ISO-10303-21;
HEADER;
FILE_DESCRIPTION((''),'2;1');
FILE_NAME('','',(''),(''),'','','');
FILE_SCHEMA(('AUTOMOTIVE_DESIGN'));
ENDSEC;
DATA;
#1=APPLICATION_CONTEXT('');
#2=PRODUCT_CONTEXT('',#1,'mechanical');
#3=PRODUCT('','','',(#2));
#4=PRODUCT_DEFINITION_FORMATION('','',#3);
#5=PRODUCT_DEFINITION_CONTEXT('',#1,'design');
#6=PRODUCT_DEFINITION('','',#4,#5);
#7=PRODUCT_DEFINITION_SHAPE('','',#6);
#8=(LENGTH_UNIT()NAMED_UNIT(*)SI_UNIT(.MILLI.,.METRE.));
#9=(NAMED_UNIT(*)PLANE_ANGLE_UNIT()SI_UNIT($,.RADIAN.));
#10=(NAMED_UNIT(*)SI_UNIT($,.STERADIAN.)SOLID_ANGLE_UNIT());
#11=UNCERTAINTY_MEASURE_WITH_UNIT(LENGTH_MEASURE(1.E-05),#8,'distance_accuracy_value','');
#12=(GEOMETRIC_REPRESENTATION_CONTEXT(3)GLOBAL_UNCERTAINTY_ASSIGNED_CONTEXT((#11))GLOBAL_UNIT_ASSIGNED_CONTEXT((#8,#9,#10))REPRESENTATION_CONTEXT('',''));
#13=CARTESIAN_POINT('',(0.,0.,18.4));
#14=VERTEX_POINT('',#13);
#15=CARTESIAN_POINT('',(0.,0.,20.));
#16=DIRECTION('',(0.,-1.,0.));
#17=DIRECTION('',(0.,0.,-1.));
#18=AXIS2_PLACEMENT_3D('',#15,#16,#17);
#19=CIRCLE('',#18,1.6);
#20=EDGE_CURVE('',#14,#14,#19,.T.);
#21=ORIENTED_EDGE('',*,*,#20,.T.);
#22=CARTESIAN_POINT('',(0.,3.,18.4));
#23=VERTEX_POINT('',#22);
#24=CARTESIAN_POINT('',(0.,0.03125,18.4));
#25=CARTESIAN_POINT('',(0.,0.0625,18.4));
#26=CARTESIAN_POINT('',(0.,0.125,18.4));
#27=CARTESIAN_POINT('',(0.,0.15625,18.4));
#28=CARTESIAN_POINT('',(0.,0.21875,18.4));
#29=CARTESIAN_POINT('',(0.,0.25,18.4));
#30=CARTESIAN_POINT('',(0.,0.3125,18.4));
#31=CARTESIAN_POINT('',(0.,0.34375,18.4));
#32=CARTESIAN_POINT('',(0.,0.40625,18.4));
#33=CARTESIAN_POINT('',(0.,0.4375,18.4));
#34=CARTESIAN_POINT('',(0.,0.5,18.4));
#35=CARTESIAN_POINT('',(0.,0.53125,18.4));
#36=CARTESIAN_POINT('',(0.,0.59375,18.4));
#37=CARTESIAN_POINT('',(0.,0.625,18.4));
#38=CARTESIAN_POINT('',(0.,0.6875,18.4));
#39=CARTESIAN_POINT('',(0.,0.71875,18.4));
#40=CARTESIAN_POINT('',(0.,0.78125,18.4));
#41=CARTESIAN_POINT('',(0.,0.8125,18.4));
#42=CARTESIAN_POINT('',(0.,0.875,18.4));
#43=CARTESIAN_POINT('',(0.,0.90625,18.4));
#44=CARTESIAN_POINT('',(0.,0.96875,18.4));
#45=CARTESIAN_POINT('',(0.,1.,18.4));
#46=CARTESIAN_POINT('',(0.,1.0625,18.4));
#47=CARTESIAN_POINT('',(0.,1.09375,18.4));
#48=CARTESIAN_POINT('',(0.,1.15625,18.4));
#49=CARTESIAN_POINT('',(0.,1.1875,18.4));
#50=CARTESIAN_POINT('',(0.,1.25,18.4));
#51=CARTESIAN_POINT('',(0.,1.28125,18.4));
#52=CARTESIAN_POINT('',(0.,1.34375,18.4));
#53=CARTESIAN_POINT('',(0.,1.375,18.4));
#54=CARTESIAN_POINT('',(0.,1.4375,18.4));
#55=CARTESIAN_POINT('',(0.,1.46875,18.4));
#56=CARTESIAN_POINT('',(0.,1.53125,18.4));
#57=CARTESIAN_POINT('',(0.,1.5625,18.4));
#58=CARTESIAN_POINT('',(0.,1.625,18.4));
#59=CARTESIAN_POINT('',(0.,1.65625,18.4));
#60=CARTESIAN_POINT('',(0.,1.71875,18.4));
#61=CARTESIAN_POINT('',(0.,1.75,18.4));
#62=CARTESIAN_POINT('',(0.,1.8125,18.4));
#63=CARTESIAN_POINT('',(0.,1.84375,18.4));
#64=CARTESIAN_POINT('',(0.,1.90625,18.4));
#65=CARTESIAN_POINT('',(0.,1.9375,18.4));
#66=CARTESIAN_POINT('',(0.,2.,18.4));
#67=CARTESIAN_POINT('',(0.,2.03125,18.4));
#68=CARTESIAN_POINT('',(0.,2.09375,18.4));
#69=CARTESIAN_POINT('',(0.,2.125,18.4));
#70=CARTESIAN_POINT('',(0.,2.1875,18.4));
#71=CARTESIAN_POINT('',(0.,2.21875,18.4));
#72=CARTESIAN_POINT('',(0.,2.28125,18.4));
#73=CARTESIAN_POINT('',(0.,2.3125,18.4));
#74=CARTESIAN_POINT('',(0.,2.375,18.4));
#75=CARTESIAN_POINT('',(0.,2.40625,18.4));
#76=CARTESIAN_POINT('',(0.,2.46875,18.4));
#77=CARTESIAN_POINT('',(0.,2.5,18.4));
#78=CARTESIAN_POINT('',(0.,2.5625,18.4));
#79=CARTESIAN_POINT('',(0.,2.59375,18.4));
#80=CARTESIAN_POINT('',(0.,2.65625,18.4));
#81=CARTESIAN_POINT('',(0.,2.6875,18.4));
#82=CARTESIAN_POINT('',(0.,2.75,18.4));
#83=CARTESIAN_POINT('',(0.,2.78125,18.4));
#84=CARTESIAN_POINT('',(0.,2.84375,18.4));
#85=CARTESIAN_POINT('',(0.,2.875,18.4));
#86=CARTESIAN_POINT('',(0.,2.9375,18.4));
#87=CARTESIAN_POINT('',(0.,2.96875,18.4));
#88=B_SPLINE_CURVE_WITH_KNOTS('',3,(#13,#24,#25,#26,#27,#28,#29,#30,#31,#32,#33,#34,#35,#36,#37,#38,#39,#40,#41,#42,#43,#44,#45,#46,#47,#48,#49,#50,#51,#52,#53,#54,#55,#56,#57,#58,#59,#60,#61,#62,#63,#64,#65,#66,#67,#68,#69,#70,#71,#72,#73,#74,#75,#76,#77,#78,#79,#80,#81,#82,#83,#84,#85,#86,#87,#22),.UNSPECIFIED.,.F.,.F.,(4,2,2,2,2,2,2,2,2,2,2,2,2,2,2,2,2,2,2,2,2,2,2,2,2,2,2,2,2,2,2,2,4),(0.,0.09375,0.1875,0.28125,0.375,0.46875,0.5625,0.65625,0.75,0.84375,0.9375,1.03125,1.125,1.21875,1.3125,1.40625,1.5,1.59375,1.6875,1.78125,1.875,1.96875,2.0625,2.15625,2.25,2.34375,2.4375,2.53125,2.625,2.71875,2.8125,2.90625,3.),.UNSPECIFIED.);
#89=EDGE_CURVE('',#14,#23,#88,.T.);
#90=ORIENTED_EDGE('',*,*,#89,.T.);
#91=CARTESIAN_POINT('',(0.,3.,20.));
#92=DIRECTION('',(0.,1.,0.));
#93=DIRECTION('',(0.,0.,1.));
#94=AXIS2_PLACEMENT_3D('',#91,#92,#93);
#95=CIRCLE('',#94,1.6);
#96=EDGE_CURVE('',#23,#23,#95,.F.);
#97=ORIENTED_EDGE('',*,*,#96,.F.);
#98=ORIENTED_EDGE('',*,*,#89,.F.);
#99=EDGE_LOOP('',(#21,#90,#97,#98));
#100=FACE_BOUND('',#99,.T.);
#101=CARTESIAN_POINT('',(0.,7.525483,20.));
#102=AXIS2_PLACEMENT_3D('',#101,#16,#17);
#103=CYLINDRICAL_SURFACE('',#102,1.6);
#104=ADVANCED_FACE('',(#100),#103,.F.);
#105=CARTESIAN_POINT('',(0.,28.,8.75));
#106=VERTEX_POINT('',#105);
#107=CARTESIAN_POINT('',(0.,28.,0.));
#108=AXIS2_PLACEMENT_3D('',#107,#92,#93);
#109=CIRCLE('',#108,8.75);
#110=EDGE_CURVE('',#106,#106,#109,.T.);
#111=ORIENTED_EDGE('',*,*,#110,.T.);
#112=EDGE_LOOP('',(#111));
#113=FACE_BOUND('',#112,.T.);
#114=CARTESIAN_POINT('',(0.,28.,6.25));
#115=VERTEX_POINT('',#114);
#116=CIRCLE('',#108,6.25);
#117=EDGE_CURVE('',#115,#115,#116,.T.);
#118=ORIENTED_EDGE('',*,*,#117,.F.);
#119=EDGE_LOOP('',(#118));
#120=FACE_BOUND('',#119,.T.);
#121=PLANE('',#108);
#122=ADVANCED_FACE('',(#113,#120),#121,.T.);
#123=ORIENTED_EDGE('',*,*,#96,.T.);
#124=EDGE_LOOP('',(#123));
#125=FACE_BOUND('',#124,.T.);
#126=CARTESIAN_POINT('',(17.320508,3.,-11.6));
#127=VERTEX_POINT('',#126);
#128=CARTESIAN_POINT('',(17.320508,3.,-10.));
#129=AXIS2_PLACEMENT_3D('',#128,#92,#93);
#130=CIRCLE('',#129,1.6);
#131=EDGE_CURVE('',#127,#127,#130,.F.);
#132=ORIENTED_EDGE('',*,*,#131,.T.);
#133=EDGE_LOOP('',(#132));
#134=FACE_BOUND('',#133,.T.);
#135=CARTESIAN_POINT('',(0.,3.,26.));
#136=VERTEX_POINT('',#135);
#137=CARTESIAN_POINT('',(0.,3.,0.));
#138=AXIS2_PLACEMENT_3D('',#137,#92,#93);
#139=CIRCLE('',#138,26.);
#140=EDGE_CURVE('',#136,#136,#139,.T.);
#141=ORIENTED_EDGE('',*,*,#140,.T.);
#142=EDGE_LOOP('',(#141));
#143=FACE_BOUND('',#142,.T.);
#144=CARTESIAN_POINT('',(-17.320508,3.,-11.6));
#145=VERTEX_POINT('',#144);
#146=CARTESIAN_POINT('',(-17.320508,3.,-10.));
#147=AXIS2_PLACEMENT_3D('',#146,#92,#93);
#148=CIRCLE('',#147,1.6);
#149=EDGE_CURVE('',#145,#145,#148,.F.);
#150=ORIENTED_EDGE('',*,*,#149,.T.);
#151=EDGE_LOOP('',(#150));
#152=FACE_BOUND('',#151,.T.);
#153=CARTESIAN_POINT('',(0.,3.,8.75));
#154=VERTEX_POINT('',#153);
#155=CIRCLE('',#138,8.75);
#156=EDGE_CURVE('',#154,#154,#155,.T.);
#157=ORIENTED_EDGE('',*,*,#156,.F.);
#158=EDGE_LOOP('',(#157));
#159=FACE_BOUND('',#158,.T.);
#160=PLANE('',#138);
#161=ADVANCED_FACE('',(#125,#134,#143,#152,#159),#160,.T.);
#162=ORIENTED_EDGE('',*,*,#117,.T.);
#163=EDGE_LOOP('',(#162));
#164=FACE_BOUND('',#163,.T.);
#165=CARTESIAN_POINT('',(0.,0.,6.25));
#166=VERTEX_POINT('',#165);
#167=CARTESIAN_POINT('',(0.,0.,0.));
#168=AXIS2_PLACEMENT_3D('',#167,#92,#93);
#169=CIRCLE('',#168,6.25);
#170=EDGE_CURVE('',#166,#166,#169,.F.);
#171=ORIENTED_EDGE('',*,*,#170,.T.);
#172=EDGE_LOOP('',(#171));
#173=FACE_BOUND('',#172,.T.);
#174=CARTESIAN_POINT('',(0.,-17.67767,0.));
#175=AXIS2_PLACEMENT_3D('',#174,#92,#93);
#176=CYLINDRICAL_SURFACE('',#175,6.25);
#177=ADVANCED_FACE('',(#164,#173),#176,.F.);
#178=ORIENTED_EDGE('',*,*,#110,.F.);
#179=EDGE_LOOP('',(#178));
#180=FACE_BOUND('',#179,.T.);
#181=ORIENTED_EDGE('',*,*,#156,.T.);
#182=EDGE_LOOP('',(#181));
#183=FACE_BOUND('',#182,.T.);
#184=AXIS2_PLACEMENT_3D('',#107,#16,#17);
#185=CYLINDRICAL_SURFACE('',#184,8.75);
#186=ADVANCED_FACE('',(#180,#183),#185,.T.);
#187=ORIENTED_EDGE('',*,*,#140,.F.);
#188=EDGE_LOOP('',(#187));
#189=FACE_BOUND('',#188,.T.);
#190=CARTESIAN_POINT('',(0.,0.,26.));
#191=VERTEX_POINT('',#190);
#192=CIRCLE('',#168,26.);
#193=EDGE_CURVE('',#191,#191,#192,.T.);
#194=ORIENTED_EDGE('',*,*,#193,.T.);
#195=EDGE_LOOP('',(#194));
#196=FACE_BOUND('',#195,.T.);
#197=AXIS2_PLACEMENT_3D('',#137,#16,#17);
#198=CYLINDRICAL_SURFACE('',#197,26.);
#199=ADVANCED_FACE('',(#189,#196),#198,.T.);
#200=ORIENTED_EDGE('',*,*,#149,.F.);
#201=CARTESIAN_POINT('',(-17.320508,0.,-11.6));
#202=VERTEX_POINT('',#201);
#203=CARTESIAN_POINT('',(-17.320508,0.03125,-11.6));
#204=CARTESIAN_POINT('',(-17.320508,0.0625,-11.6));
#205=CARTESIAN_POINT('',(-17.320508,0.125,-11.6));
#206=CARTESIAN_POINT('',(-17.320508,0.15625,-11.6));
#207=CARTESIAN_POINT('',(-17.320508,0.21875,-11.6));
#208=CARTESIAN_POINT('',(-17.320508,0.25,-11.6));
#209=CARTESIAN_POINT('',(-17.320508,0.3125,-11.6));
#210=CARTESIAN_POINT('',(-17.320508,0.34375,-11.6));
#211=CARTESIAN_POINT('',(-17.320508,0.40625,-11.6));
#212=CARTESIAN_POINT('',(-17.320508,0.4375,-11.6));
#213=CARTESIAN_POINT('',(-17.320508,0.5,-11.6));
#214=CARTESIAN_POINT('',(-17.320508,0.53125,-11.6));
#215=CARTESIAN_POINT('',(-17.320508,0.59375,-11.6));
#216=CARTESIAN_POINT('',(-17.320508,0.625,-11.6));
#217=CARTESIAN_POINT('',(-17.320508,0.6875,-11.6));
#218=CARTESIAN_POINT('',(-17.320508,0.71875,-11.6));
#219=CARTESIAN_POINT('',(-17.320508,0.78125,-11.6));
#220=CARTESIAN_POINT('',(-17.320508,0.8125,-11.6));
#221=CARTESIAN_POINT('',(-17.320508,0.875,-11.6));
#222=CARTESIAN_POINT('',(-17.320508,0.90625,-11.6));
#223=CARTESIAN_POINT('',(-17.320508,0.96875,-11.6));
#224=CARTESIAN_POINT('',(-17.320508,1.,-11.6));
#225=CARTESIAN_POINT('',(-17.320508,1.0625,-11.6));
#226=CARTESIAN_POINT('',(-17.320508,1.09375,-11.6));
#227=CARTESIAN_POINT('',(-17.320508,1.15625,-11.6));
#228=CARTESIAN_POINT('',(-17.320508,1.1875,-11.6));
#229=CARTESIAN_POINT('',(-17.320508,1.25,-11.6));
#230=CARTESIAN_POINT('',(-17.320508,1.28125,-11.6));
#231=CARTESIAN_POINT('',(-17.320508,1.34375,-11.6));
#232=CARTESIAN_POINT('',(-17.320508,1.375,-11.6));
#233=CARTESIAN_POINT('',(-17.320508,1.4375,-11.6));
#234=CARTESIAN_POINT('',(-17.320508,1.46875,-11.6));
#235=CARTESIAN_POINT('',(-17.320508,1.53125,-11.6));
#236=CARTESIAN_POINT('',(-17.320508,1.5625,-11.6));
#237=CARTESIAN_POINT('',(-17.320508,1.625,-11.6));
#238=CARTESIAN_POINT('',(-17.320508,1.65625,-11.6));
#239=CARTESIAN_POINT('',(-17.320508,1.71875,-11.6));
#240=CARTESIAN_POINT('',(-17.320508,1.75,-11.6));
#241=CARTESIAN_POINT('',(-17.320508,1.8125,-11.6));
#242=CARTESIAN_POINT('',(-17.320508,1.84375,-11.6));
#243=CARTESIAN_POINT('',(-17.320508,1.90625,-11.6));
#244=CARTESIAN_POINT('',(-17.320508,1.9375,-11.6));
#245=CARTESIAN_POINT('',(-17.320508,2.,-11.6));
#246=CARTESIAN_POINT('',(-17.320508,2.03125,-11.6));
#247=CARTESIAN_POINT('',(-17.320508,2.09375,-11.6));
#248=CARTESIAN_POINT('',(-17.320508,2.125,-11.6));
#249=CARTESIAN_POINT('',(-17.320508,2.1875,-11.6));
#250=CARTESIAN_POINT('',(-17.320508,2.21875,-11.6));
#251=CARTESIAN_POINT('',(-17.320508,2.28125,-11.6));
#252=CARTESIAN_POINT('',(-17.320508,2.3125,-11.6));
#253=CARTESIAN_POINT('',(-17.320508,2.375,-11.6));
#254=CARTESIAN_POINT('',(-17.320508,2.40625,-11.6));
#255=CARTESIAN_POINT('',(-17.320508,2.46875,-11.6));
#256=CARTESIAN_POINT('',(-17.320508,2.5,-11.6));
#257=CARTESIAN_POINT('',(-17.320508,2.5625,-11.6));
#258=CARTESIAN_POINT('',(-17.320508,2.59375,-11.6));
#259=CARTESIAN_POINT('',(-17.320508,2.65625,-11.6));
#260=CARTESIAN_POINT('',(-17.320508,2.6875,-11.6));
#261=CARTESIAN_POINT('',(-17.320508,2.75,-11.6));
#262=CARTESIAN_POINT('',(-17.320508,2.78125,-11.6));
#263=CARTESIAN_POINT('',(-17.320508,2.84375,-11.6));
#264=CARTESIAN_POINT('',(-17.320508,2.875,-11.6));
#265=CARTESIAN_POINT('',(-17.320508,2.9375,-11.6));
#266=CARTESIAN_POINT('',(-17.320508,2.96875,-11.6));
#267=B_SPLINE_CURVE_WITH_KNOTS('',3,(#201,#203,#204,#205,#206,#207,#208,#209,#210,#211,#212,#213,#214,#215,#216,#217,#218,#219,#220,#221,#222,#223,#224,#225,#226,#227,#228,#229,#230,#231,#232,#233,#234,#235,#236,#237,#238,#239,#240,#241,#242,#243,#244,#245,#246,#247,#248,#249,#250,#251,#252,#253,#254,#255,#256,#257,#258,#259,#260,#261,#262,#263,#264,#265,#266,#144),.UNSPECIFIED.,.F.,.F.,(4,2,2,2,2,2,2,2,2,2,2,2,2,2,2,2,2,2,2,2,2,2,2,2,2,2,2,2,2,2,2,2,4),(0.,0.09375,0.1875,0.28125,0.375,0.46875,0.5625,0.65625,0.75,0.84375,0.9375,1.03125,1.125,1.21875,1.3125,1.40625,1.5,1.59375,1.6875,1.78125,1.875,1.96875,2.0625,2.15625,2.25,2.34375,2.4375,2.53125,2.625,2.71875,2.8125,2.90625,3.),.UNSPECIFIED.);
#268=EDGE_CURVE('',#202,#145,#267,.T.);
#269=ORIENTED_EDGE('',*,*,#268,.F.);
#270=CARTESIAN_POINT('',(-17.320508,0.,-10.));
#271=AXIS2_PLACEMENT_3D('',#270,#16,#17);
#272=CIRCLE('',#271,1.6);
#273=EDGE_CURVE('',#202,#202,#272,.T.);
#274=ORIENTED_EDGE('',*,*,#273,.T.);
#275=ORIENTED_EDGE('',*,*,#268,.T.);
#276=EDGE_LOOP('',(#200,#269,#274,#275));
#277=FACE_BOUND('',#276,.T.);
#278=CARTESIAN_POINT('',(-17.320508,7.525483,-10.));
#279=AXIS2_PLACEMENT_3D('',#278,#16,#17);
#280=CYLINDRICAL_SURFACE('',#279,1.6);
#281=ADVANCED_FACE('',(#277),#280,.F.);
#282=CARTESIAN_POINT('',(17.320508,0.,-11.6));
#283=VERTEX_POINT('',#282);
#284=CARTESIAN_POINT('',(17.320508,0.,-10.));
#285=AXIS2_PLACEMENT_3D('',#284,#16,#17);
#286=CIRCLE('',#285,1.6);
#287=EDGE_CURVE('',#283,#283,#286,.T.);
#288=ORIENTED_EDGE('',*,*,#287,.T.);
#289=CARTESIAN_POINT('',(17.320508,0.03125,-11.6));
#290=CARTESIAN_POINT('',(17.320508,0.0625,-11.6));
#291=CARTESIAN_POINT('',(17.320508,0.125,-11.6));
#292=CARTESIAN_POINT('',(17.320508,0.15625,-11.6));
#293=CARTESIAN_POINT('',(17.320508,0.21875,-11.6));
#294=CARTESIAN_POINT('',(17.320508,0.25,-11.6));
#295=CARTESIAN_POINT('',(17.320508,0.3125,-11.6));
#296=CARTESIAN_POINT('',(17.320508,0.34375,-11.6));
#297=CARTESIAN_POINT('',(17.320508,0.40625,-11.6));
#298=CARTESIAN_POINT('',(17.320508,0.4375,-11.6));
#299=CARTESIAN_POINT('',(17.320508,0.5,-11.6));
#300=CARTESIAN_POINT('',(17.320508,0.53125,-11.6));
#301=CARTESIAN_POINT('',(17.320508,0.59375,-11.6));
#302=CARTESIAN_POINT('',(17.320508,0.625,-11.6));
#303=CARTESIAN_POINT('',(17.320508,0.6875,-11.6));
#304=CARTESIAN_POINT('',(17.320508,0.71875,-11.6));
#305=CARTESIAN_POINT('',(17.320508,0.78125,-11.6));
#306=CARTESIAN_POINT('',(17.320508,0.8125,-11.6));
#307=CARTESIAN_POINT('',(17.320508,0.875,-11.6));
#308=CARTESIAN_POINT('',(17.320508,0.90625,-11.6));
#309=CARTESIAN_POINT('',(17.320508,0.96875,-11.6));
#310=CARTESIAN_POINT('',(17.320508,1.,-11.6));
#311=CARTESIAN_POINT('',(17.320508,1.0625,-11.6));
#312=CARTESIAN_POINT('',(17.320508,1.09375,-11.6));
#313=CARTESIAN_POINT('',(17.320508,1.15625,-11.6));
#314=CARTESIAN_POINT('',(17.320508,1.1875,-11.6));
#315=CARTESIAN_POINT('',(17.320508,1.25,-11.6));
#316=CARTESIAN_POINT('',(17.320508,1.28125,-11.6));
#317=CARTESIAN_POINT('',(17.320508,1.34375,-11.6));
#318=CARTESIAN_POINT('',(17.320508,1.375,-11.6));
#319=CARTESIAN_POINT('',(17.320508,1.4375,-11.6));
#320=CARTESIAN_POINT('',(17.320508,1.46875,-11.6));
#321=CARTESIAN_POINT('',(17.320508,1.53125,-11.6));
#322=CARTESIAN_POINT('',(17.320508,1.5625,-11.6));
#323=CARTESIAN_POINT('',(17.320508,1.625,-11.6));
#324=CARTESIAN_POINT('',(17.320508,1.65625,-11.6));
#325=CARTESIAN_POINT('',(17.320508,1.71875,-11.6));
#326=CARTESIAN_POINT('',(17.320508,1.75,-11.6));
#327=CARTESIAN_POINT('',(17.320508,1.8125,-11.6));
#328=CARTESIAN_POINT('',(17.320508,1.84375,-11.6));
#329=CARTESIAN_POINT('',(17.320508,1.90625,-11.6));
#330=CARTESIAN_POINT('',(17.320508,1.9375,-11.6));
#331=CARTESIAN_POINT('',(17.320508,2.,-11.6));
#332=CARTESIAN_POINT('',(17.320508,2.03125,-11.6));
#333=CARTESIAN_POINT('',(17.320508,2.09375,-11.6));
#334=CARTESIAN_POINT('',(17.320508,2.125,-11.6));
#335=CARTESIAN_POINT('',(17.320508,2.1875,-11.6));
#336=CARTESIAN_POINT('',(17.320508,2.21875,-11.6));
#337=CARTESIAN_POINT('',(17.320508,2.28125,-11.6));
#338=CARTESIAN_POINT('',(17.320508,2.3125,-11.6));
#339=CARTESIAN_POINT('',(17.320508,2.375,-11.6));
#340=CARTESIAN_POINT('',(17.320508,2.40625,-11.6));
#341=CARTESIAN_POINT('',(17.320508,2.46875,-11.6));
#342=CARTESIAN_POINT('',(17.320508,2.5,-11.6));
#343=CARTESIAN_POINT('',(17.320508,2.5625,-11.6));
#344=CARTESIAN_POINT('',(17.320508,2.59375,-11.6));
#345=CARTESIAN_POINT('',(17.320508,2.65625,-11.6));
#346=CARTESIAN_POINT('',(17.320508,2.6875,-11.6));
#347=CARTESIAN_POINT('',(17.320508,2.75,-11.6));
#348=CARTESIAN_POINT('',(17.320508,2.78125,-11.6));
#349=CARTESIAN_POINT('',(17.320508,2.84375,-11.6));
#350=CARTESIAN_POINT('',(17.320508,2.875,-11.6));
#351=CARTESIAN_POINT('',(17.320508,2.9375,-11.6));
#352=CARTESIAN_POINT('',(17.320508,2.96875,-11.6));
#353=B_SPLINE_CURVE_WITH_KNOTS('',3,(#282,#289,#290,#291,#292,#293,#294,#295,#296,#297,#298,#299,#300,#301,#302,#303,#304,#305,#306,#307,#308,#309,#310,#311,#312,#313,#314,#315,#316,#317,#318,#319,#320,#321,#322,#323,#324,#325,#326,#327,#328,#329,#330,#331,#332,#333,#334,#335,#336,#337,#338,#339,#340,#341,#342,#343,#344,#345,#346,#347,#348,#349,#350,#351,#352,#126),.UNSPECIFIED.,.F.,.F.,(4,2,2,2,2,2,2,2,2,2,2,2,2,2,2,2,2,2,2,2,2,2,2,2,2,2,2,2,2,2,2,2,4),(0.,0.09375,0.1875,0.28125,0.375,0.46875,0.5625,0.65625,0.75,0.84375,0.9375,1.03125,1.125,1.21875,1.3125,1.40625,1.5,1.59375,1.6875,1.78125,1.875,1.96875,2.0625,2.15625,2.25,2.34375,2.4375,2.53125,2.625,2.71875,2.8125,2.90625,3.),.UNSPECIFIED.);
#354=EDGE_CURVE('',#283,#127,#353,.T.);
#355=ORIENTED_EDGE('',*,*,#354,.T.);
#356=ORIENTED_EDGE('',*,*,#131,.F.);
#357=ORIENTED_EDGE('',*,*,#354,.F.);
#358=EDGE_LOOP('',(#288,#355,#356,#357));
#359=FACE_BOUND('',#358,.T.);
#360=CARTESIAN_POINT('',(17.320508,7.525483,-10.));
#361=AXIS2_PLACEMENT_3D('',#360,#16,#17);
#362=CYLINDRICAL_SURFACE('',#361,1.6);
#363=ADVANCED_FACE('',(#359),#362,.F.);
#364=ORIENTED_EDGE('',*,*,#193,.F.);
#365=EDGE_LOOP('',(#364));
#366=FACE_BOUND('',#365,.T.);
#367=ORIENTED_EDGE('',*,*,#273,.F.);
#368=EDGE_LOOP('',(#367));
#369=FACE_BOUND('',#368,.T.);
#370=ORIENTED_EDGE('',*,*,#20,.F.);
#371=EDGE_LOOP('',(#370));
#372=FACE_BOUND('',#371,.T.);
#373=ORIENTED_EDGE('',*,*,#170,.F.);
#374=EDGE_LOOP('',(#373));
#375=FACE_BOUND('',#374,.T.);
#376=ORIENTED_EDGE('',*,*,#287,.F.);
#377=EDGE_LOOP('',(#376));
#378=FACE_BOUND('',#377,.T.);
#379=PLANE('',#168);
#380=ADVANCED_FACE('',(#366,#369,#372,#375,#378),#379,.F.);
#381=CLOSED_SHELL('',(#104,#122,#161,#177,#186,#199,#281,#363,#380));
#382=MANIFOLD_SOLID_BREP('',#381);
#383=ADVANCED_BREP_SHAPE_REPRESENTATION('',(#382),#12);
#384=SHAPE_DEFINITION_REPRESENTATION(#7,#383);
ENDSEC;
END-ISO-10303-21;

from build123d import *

# Parameters (mm, degrees)
SKETCH_1_R          = 26
EXTRUDE_1_DEPTH     = 3
SKETCH_2_R          = 8.75
EXTRUDE_2_DEPTH     = 25
SKETCH_3_R          = 6.25
CUT_EXTRUDE_1_DEPTH = 28
SKETCH_5_R          = 1.6
CUT_EXTRUDE_3_DEPTH = 3


with BuildPart() as part:
    # 草图1 → 凸台-拉伸1 (new body)
    with BuildSketch(Plane(origin=(0, 0, 0), x_dir=(1, 0, 0), z_dir=(0, 1, 0))):
        with Locations(Location((0, 0, 0), (0, 0, 270))):
            Circle(SKETCH_1_R)
    extrude(amount=EXTRUDE_1_DEPTH)

    # 草图2 → 凸台-拉伸2 (add)
    with BuildSketch(Plane(origin=(0, 3, 0), x_dir=(1, 0, 0), z_dir=(0, 1, 0))):
        with Locations(Location((0, 0, 0), (0, 0, 270))):
            Circle(SKETCH_2_R)
    extrude(amount=EXTRUDE_2_DEPTH)

    # 草图3 → 切除-拉伸1 (cut)
    with BuildSketch(Plane(origin=(0, 28, 0), x_dir=(1, 0, 0), z_dir=(0, 1, 0))):
        with Locations(Location((0, 0, 0), (0, 0, 270))):
            Circle(SKETCH_3_R)
    extrude(amount=-CUT_EXTRUDE_1_DEPTH, mode=Mode.SUBTRACT)

    # 草图5 → 切除-拉伸3 (cut)
    with BuildSketch(Plane.XZ):
        with Locations(Location((0, 20, 0), (0, 0, 270))):
            Circle(SKETCH_5_R)
        with Locations(Location((17.320508076, -10, 0), (0, 0, 270))):
            Circle(SKETCH_5_R)
        with Locations(Location((-17.320508076, -10, 0), (0, 0, 270))):
            Circle(SKETCH_5_R)
    extrude(amount=-CUT_EXTRUDE_3_DEPTH, mode=Mode.SUBTRACT)


solid = part.part
